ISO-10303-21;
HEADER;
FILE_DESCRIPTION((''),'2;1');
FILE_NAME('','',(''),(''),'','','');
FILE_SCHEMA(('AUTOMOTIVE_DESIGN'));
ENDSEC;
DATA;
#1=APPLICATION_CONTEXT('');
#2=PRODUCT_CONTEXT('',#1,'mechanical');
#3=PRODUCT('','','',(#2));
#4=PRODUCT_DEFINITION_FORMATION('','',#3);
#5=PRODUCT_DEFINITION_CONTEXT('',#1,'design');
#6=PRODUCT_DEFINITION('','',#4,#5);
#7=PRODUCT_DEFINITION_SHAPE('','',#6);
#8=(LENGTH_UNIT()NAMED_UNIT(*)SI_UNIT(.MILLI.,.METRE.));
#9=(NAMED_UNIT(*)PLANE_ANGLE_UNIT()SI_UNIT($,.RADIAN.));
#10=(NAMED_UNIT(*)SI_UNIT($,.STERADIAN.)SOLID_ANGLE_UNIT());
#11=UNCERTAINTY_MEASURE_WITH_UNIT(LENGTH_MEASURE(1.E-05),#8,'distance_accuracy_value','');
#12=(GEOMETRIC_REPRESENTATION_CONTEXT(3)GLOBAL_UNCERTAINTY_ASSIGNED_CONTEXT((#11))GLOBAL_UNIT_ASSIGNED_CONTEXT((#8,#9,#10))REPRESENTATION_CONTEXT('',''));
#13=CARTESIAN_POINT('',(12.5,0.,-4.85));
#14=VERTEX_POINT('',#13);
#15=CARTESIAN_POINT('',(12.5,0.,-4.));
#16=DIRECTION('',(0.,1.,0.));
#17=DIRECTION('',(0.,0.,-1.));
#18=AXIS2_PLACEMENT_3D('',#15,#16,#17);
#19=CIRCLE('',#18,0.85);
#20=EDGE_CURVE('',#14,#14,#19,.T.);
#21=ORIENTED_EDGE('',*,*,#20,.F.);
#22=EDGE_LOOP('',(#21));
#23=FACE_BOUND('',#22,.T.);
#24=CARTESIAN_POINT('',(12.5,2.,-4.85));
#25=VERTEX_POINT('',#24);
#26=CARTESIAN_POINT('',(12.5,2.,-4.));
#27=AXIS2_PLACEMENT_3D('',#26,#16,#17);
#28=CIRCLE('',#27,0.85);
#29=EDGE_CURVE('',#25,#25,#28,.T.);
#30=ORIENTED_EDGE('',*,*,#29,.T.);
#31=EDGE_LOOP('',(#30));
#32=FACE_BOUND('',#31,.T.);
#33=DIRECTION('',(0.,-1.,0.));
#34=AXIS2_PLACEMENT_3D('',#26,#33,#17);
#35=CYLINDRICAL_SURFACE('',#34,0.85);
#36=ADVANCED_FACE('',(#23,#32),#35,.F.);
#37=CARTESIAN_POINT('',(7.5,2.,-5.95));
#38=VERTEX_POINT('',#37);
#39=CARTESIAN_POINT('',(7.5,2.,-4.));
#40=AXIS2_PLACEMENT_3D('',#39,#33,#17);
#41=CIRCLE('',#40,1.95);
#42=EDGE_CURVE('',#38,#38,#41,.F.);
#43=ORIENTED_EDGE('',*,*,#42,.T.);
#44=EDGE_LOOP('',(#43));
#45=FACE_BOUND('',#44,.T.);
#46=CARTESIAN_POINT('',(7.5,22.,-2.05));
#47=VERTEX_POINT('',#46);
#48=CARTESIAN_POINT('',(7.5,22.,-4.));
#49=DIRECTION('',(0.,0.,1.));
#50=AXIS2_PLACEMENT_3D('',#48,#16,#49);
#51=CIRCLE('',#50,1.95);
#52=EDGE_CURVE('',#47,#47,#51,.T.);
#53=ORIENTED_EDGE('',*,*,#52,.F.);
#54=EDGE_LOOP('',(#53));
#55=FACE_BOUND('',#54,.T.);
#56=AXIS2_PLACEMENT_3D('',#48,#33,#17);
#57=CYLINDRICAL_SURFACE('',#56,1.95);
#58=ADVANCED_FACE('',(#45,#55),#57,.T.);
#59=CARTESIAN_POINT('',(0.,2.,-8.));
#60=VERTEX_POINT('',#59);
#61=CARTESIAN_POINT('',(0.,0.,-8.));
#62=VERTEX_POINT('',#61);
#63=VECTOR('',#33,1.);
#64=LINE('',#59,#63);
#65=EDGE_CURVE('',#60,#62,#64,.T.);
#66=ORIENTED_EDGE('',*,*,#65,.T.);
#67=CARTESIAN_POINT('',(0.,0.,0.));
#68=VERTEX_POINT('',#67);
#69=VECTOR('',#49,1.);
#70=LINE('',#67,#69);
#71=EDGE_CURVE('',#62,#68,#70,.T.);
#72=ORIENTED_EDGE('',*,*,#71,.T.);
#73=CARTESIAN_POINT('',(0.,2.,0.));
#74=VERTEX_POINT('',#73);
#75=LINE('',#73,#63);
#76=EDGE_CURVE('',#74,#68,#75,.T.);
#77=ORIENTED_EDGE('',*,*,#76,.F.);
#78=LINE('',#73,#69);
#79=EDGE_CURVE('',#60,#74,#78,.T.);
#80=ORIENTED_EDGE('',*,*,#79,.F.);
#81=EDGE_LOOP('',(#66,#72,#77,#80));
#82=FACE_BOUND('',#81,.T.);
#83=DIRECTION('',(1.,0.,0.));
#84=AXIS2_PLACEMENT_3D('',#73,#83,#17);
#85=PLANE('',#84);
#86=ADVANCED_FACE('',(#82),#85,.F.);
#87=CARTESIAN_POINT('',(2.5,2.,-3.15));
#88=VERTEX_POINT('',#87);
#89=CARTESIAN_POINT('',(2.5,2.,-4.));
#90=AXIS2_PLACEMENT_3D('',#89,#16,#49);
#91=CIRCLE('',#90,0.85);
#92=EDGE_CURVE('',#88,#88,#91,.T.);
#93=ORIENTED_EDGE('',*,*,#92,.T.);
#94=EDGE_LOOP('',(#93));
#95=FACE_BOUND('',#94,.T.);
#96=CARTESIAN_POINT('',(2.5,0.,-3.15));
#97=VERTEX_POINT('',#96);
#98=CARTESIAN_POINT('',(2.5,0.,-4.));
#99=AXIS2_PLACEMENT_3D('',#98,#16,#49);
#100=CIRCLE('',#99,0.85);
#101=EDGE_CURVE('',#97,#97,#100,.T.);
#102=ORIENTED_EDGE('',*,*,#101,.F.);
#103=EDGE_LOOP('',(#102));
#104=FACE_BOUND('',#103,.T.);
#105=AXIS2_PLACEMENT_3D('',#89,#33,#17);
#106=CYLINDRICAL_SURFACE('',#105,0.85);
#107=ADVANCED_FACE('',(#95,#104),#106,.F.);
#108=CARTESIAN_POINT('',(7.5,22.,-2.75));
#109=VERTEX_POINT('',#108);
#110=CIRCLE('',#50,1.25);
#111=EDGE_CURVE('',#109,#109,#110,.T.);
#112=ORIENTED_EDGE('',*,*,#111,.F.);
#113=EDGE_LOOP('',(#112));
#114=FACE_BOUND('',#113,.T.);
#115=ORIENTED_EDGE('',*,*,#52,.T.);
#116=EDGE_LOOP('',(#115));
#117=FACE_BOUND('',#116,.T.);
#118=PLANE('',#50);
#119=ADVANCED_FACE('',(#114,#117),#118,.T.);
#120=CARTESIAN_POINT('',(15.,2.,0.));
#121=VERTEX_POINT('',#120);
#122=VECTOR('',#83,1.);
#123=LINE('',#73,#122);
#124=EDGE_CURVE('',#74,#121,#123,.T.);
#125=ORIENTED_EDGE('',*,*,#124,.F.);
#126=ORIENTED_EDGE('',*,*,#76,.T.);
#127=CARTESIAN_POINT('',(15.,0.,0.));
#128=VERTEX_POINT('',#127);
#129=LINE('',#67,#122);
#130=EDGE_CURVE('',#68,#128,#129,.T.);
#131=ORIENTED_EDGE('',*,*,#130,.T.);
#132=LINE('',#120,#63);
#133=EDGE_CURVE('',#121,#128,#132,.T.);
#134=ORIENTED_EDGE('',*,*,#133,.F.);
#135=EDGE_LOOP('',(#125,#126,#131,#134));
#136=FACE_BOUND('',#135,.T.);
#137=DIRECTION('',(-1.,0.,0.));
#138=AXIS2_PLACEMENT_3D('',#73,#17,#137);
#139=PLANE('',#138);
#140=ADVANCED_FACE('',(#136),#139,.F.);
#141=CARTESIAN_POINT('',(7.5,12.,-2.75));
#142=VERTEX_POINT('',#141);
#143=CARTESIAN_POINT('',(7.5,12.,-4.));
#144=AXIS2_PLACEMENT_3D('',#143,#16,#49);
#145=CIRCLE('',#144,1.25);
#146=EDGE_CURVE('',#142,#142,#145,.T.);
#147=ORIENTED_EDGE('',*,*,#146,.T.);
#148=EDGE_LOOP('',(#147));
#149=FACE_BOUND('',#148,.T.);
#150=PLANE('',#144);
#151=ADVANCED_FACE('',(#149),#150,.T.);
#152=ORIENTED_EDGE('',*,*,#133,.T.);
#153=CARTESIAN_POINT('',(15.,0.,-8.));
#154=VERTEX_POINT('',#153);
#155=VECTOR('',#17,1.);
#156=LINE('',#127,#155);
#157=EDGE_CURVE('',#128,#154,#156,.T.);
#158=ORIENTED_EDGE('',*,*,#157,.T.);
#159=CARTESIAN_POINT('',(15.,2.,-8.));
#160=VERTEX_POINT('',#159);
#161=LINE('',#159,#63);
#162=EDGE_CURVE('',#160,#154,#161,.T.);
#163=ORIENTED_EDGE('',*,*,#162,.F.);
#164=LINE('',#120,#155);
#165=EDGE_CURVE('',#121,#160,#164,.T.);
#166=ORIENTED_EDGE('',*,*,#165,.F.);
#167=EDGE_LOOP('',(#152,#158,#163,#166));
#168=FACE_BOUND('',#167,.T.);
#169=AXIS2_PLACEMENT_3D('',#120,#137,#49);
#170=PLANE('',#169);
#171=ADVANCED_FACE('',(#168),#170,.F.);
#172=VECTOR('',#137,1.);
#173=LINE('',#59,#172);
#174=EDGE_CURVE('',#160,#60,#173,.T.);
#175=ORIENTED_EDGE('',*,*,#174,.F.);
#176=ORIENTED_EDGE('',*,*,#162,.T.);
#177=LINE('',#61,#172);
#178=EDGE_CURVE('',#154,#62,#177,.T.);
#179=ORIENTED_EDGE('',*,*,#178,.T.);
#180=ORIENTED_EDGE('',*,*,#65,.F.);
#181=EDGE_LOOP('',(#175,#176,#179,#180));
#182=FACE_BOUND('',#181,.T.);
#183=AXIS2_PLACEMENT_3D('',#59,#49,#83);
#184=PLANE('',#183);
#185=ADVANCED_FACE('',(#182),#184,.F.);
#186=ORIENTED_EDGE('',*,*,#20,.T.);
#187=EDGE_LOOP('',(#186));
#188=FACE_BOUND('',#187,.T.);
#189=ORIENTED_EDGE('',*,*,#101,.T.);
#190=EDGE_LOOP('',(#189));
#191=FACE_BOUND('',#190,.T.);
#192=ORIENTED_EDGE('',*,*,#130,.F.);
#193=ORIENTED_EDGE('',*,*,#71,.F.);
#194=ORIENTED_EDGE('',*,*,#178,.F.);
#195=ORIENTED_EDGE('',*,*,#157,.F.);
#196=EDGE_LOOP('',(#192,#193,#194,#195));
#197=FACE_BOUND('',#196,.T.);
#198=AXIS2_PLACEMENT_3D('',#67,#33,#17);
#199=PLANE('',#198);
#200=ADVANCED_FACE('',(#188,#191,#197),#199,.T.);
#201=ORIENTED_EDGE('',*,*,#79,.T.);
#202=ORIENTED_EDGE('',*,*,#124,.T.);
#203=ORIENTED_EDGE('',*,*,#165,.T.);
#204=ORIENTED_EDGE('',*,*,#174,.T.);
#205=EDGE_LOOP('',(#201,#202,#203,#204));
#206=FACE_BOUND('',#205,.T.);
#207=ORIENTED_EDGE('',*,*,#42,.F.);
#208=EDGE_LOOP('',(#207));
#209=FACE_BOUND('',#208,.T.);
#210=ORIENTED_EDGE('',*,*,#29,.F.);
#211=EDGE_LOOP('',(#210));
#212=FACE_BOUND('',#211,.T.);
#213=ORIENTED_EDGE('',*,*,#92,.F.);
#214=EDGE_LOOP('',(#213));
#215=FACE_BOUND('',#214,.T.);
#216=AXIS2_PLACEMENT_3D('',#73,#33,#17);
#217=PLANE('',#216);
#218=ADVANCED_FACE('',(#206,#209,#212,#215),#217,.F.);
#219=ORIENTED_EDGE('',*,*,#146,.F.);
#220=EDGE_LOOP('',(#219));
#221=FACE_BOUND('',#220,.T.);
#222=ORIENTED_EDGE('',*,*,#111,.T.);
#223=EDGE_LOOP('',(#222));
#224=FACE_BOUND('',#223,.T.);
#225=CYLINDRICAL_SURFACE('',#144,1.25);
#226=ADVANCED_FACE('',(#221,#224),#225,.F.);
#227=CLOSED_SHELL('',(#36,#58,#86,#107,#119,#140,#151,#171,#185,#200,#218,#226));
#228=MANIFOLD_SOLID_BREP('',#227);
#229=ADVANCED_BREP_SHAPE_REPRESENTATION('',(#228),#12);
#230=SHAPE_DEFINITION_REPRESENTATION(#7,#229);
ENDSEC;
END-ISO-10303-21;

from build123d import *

# Parameters (mm, degrees)
SKETCH_1_W          = 15
SKETCH_1_H          = 8
SKETCH_1_R          = 0.85
EXTRUDE_1_DEPTH     = 2
SKETCH_2_R          = 1.95
EXTRUDE_2_DEPTH     = 20
SKETCH_3_R          = 1.25
CUT_EXTRUDE_1_DEPTH = 10


with BuildPart() as part:
    # 草图1 → 凸台-拉伸1 (new body)
    with BuildSketch(Plane(origin=(0, 0, 0), x_dir=(1, 0, 0), z_dir=(0, 1, 0))):
        with Locations((7.5, 4)):
            Rectangle(SKETCH_1_W, SKETCH_1_H)
        with Locations(Location((2.5, 4, 0), (0, 0, 270))):
            Circle(SKETCH_1_R, mode=Mode.SUBTRACT)
        with Locations(Location((12.5, 4, 0), (0, 0, 90))):
            Circle(SKETCH_1_R, mode=Mode.SUBTRACT)
    extrude(amount=EXTRUDE_1_DEPTH)

    # 草图2 → 凸台-拉伸2 (add)
    with BuildSketch(Plane(origin=(0, 2, 0), x_dir=(1, 0, 0), z_dir=(0, 1, 0))):
        with Locations(Location((7.5, 4, 0), (0, 0, 90))):
            Circle(SKETCH_2_R)
    extrude(amount=EXTRUDE_2_DEPTH)

    # 草图3 → 切除-拉伸1 (cut)
    with BuildSketch(Plane(origin=(0, 22, 0), x_dir=(1, 0, 0), z_dir=(0, 1, 0))):
        with Locations(Location((7.5, 4, 0), (0, 0, 270))):
            Circle(SKETCH_3_R)
    extrude(amount=-CUT_EXTRUDE_1_DEPTH, mode=Mode.SUBTRACT)


solid = part.part
